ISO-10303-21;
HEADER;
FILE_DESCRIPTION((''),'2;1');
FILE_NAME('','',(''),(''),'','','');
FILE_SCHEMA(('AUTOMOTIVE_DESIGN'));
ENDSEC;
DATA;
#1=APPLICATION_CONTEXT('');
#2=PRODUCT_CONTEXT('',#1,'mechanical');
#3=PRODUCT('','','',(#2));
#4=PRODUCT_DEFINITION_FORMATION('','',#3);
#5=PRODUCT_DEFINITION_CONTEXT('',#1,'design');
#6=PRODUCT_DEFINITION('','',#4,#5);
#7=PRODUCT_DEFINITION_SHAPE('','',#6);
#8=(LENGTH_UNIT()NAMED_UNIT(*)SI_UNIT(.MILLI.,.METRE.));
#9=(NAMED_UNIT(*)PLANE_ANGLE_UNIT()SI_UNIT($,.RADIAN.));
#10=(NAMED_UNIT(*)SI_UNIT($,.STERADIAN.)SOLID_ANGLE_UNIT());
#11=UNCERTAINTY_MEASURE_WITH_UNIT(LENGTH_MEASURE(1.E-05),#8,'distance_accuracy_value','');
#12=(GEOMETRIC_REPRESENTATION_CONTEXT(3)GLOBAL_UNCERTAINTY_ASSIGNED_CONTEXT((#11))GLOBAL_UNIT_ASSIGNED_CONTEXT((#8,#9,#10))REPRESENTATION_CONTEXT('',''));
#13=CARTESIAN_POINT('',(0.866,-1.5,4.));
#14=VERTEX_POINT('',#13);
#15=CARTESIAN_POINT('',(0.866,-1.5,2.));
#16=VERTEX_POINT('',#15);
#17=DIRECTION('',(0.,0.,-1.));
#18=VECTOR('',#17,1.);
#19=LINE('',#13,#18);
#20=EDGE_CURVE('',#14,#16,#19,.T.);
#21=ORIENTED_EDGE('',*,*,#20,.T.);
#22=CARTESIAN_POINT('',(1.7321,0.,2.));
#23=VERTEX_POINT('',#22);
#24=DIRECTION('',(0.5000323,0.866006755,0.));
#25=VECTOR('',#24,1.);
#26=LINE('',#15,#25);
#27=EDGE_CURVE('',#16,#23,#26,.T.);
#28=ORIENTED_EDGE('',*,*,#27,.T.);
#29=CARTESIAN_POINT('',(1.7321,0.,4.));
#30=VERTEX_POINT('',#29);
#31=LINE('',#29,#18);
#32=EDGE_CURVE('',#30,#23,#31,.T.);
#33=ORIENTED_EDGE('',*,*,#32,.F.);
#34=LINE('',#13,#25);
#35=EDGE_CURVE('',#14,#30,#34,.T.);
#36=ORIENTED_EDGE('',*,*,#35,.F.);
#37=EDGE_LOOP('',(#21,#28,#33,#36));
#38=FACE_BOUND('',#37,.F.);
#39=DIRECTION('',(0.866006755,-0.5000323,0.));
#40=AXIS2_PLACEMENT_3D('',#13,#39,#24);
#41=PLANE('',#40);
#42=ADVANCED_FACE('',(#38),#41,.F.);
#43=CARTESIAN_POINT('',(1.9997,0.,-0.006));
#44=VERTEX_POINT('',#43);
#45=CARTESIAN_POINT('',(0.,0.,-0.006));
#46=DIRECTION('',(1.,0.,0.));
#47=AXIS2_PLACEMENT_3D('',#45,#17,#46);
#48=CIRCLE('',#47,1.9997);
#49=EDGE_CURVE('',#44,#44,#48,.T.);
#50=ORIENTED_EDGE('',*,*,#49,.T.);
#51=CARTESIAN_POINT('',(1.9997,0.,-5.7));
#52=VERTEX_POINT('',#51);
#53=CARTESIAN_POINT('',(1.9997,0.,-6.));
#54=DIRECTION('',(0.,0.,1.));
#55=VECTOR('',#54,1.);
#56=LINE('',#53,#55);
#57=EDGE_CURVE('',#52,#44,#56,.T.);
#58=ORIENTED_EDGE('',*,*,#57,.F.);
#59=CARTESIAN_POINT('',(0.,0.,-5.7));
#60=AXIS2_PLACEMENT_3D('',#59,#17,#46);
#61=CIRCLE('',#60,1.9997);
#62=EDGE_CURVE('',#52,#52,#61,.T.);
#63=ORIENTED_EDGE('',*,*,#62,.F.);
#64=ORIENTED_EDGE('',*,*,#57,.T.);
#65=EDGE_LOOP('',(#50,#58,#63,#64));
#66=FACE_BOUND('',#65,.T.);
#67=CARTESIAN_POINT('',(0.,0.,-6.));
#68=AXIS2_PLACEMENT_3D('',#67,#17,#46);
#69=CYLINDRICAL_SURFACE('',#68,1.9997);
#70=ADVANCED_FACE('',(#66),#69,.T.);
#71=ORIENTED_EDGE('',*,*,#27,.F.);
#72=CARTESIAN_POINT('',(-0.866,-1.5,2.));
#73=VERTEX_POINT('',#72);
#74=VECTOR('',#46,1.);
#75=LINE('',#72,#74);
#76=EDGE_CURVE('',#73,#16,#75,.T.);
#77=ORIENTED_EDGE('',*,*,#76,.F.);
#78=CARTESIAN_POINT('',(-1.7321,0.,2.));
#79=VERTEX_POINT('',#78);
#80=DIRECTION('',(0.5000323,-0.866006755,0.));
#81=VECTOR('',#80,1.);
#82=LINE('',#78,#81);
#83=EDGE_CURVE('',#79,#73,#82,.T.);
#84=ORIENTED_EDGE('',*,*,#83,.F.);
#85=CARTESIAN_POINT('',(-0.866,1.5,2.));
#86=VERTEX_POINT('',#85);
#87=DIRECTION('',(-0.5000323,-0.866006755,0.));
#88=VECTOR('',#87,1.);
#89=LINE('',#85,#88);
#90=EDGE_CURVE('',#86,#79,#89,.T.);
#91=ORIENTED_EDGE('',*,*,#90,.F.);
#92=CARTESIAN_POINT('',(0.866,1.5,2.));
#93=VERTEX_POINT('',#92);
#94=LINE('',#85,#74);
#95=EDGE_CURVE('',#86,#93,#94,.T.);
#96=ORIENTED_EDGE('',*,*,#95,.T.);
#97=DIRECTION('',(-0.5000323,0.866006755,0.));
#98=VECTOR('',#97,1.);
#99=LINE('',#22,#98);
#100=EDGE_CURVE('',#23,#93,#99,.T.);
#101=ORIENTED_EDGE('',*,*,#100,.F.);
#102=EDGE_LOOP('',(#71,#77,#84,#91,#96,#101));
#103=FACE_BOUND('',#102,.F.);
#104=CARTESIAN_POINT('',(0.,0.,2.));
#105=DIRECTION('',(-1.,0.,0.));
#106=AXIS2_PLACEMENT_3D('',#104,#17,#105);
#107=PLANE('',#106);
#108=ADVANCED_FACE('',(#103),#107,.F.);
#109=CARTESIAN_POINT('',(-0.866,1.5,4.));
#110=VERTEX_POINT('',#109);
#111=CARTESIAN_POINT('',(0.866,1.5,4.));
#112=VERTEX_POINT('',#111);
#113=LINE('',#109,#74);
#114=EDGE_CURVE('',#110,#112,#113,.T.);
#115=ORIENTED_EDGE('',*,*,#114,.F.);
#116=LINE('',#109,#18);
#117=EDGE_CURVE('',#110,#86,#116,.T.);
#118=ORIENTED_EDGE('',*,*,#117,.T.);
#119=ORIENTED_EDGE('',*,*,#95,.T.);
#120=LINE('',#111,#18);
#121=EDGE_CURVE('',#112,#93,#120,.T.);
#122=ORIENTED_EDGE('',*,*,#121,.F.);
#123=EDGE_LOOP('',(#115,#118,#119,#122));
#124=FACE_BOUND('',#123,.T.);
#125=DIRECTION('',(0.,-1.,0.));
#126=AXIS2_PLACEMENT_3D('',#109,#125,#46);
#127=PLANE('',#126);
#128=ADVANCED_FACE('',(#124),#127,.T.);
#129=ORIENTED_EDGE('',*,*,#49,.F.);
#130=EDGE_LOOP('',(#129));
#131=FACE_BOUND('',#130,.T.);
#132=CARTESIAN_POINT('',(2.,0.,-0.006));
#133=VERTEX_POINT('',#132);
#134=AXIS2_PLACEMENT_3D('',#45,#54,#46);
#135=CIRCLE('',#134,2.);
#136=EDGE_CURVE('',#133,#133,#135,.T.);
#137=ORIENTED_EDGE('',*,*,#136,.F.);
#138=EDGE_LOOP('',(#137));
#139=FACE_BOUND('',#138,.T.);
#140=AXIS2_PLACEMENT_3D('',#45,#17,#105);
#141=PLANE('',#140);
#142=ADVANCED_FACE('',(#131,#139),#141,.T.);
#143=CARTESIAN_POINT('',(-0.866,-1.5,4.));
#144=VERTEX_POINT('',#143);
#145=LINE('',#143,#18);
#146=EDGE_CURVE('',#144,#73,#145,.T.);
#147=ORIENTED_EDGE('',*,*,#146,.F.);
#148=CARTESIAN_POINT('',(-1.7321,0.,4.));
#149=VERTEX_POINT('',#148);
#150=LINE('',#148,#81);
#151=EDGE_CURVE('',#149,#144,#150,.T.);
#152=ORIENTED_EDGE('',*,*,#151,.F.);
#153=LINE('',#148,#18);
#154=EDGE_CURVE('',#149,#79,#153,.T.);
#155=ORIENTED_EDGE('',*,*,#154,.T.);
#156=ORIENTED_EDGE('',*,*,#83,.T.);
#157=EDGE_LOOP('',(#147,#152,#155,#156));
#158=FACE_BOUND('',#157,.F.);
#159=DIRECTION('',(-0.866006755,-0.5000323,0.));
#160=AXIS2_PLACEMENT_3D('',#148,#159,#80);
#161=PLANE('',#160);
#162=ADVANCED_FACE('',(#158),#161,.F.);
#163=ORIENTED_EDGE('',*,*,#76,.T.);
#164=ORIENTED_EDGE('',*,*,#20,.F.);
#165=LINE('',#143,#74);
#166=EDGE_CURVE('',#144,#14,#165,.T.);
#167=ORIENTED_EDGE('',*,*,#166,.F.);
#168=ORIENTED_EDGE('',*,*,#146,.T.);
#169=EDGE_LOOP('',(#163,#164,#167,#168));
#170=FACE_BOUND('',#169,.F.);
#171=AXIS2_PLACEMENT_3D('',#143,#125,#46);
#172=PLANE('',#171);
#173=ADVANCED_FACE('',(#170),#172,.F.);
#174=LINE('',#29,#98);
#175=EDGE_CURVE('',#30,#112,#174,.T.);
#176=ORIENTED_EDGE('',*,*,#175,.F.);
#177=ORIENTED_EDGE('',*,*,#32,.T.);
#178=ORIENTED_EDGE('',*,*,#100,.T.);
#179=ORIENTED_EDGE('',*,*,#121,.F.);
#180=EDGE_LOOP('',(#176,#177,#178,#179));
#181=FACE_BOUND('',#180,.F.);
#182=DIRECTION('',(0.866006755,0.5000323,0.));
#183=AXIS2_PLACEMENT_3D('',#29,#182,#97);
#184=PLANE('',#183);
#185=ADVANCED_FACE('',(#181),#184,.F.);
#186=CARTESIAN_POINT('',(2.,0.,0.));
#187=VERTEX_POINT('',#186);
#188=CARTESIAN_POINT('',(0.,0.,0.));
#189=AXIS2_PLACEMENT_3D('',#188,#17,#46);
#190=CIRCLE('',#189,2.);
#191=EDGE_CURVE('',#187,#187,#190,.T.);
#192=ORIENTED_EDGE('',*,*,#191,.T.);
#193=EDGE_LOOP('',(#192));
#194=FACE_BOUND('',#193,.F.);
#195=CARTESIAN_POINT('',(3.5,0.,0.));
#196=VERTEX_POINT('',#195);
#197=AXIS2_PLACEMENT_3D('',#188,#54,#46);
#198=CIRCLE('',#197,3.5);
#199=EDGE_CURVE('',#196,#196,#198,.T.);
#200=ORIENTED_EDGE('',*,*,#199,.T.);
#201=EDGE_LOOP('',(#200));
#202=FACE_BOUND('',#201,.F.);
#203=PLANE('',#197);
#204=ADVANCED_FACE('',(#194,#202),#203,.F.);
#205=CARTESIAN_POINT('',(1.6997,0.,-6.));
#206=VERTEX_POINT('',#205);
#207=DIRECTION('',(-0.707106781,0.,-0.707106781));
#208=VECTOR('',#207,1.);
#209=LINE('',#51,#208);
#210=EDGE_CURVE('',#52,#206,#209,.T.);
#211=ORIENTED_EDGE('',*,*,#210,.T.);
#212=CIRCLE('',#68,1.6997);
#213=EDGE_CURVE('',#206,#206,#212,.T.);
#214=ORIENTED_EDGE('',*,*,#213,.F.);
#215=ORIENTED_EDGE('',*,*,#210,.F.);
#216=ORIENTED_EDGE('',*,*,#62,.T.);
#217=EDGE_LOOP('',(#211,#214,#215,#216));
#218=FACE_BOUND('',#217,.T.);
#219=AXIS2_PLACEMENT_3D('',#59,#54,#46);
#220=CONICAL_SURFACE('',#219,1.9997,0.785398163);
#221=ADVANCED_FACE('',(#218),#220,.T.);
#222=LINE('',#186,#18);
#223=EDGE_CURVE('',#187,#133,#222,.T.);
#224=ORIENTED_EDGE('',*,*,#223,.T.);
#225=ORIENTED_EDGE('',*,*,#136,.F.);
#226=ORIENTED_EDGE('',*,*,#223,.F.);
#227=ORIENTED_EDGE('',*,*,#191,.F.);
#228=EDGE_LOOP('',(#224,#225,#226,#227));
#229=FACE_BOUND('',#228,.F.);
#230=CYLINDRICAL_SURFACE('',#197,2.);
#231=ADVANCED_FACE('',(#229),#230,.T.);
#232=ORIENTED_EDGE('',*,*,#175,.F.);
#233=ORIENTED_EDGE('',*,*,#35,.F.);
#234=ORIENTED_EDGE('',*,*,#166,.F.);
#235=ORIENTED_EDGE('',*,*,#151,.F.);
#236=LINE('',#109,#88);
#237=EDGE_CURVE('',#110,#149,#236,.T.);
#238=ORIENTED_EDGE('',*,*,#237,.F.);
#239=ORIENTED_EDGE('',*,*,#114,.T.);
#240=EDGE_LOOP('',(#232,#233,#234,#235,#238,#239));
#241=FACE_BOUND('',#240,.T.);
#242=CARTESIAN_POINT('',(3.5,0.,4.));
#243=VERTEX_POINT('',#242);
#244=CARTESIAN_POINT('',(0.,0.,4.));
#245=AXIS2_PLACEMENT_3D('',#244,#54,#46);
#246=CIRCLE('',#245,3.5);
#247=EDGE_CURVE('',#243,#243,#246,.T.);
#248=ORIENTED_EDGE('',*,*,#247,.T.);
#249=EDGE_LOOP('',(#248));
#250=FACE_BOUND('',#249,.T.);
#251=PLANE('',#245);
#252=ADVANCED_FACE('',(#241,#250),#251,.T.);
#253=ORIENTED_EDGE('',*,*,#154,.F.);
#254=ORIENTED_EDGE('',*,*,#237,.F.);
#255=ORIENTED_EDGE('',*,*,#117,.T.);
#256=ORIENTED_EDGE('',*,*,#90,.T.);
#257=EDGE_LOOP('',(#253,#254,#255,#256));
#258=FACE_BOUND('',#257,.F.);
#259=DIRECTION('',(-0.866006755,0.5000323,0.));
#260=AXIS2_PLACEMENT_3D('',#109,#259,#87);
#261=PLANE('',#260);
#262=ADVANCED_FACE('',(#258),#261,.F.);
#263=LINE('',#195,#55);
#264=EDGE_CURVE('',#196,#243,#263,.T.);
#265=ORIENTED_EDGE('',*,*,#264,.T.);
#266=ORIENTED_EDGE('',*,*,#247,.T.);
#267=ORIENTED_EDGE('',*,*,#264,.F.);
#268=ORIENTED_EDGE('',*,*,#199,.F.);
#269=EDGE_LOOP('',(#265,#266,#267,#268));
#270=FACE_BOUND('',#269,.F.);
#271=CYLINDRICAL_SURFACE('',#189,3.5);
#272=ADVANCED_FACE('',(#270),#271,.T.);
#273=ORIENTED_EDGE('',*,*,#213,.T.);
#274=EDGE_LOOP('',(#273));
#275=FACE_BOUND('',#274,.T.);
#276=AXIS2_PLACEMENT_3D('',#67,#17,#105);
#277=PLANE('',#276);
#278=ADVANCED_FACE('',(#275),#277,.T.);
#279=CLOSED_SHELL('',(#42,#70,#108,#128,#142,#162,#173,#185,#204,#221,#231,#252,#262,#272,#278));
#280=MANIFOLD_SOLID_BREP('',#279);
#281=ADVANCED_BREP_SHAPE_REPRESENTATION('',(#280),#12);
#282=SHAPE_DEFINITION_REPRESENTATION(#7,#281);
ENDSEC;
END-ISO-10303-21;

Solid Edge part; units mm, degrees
sketch "Sketch1" plane through (0, 0, 0) normal (0, 0, 1) x (1, 0, 0)
  circle A0 centre (0, 0) radius 3.5
  dimension "D1" = 7
extrude "Protrusion1" add sketch "Sketch1" along normal blind 4
sketch "Sketch2" plane through (0, 0, 0) normal (0, 0, -1) x (1, 0, 0)
  circle A0 centre (0, 0) radius 2
extrude "Protrusion2" add sketch "Sketch2" along normal blind 6
sketch "Sketch3" plane through (0, 0, -6) normal (0, 0, -1) x (1, 0, 0)
  circle A0 centre (0, 0) radius 1.9997
extrude "Cutout1" cut sketch "Sketch3" against normal blind 5.994 flip side to cut
chamfer "Chamfer_1" distance 0.3 angle 45 1 edges at (-1.9997, 0, -6)
sketch "Sketch4" plane through (0, 0, 4) normal (0, 0, 1) x (1, 0, 0)
  line L0 (-0.866, 1.5) -> (0.866, 1.5)
  line L1 (1.7321, 0) -> (0.866, 1.5)
  line L2 (0.866, -1.5) -> (1.7321, 0)
  line L3 (-0.866, -1.5) -> (0.866, -1.5)
  line L4 (-1.7321, 0) -> (-0.866, -1.5)
  line L5 (-0.866, 1.5) -> (-1.7321, 0)
  dimension "D1" = 3
extrude "Cutout2" cut sketch "Sketch4" against normal blind 2
properties part number "185699" material "Stainless Steel, 304"
